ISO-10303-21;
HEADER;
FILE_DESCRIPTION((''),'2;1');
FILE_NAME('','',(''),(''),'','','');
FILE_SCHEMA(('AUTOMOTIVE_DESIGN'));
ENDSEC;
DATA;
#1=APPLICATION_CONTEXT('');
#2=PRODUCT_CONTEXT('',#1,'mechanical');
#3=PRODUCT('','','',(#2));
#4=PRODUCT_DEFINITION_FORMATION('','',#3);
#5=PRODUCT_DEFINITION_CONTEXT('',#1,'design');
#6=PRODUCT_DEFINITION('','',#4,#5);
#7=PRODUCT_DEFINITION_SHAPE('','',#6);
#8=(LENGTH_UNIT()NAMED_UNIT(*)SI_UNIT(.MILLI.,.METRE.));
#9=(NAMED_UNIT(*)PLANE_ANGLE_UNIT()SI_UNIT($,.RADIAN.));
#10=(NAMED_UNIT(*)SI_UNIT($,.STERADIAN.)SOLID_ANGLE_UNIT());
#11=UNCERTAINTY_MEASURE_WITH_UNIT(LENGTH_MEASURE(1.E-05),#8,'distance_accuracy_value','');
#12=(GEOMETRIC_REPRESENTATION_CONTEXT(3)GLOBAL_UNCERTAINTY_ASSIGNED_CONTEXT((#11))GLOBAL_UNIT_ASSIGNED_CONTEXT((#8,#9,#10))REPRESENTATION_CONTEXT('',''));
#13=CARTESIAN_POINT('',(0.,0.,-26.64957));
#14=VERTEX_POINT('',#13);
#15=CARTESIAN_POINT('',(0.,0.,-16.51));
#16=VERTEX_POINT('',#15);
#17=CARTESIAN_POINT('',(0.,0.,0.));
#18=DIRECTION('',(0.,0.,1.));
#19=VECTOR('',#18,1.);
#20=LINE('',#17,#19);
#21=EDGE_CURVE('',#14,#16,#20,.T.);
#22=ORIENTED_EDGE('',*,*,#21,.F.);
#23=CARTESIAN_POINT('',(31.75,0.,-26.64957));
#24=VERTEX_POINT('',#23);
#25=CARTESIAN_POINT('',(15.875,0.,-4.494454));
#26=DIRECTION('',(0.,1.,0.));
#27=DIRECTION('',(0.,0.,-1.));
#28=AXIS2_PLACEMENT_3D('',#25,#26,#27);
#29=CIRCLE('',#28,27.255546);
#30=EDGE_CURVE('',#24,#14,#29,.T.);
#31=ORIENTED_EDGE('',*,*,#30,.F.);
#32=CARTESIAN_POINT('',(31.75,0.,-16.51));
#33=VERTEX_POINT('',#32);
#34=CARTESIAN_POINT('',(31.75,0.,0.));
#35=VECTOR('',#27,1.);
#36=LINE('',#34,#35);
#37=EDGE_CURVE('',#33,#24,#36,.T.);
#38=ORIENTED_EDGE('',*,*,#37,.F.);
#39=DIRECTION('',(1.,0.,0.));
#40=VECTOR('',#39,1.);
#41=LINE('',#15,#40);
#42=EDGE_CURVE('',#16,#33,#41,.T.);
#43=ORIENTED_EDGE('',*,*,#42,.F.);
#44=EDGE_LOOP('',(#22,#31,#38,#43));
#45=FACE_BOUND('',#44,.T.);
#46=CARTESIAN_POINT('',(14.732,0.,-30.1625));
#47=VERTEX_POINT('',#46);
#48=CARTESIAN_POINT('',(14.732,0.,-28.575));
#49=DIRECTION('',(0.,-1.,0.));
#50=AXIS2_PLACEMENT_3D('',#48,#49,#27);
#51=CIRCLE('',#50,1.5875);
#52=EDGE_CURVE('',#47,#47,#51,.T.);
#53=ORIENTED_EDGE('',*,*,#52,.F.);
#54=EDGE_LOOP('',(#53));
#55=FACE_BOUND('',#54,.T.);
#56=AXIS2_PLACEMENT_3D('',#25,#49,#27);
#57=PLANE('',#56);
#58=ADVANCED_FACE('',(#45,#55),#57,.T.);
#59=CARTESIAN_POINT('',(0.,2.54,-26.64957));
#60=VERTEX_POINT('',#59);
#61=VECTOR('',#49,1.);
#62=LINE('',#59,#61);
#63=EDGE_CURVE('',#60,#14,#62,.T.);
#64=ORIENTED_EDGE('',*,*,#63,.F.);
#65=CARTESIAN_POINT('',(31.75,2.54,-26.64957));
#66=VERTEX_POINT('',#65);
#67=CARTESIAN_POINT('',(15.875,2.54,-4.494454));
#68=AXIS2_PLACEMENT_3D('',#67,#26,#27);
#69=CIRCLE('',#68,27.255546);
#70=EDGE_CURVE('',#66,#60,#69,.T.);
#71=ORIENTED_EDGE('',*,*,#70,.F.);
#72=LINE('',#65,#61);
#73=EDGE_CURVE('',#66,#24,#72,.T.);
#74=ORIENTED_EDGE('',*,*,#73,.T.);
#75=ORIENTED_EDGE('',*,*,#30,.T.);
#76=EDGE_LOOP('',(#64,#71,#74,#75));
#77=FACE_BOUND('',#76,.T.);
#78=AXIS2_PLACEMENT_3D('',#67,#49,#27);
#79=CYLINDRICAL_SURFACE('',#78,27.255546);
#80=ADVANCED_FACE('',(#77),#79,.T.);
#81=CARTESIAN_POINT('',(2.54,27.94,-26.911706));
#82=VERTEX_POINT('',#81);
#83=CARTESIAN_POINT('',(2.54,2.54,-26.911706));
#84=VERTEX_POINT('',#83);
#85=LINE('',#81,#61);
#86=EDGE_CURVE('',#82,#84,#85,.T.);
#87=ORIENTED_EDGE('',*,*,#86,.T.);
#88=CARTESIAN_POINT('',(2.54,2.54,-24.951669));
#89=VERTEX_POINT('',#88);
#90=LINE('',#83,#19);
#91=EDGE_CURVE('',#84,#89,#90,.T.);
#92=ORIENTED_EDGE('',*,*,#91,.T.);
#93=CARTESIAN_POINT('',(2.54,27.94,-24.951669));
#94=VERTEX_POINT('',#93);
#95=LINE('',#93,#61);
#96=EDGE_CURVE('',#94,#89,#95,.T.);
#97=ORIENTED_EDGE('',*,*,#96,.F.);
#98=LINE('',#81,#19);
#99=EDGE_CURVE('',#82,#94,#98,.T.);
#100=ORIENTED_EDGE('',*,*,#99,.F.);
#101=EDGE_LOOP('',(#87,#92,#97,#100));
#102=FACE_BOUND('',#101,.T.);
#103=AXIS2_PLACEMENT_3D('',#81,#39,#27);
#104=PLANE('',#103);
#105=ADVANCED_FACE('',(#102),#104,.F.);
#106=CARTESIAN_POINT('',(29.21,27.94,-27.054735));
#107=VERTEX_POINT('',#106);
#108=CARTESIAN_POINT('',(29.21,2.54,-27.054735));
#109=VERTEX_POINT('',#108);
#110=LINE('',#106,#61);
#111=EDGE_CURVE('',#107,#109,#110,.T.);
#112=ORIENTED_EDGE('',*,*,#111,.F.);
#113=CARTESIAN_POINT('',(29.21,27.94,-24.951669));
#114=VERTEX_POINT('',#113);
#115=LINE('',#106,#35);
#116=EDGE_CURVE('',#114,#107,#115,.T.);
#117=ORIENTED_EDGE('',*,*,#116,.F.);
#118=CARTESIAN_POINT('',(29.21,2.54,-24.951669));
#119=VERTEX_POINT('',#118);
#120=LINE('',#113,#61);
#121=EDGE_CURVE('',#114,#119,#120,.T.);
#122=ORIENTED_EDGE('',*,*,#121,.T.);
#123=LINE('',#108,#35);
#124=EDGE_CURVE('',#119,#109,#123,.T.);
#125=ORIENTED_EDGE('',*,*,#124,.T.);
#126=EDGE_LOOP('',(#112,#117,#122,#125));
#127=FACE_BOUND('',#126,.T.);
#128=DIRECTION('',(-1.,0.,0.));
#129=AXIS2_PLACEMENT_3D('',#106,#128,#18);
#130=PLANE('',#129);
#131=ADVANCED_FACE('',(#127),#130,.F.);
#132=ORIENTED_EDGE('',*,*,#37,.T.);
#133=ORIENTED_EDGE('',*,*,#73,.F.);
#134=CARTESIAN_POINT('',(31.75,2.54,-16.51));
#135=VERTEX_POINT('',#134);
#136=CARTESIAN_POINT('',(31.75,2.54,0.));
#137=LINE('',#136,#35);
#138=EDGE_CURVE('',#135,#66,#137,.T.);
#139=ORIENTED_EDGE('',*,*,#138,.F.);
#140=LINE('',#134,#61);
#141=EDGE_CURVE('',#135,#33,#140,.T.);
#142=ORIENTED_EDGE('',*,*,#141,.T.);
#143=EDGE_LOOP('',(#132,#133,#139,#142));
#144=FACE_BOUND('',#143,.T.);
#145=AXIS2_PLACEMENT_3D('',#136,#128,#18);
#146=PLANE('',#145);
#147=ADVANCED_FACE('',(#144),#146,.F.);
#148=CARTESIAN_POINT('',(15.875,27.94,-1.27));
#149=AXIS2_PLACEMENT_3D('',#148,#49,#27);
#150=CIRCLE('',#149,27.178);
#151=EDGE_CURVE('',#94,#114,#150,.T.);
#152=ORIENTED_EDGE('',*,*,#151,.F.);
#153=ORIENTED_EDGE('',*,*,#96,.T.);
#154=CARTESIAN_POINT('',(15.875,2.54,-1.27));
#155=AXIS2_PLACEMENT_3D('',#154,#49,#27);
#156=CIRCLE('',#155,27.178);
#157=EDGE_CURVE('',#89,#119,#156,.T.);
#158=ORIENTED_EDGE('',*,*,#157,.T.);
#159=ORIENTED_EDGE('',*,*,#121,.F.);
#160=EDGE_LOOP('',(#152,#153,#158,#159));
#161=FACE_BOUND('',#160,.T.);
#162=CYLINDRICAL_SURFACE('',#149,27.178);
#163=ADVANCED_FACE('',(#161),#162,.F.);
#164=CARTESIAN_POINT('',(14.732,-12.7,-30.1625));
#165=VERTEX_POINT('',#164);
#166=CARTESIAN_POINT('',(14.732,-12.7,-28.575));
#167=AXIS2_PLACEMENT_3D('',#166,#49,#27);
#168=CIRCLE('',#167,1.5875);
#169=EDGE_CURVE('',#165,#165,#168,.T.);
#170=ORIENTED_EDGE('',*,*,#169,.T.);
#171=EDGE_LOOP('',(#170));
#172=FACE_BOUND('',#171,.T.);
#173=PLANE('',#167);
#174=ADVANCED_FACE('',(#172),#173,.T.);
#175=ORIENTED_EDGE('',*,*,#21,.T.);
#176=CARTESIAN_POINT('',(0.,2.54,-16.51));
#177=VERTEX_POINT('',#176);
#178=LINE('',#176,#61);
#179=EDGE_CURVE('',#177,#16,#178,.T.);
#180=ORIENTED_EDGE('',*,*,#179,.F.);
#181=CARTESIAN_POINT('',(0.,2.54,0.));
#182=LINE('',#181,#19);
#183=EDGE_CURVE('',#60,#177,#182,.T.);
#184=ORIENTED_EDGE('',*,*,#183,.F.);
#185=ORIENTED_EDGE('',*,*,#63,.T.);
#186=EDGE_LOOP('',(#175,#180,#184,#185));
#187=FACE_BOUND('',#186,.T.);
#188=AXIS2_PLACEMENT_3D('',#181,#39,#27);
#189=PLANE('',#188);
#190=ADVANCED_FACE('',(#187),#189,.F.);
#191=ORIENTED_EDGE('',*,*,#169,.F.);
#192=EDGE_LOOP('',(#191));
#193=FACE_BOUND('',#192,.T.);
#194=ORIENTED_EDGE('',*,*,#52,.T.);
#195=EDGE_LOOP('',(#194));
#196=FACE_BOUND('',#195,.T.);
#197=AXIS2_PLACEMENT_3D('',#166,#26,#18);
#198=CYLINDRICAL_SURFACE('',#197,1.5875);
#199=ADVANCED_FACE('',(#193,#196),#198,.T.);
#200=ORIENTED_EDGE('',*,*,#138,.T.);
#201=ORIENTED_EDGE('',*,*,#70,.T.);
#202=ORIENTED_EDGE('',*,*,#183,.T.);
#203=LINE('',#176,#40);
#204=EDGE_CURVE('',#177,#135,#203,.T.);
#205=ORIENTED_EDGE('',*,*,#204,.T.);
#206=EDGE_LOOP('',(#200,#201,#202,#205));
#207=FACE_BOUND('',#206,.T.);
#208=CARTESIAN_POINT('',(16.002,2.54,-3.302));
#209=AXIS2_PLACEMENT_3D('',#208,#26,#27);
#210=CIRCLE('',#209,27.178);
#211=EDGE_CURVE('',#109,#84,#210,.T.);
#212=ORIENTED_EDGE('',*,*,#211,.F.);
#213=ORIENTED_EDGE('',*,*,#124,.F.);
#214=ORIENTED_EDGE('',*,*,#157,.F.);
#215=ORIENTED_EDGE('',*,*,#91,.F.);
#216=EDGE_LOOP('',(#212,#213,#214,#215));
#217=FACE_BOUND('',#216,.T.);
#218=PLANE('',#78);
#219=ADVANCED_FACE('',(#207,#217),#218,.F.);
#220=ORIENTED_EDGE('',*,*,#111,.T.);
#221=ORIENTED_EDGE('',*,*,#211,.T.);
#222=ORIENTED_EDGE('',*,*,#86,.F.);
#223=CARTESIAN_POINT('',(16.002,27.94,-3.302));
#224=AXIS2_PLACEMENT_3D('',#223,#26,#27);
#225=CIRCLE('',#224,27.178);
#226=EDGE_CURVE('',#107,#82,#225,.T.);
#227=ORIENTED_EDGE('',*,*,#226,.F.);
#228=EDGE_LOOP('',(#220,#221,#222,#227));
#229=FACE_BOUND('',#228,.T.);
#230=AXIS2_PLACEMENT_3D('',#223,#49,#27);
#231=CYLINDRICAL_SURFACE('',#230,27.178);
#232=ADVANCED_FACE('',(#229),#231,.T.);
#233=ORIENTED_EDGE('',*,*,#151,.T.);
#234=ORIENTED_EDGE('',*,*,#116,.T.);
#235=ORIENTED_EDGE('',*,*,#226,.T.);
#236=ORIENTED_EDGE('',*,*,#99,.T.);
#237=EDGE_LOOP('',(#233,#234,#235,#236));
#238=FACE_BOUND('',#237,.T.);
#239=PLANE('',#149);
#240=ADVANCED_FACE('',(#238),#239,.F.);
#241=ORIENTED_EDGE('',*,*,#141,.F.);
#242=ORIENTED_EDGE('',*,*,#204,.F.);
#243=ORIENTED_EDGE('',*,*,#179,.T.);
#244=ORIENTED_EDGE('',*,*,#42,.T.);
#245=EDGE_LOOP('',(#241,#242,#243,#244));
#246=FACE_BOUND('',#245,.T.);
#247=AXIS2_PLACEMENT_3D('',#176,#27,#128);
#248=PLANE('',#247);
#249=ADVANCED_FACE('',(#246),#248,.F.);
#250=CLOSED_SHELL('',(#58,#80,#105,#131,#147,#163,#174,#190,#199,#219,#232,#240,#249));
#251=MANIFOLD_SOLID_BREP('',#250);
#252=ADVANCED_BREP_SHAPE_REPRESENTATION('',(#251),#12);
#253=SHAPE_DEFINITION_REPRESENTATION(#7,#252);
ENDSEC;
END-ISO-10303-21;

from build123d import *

# Parameters (mm, degrees)
BOSS_EXTRUDE1_DEPTH = 2.54
BOSS_EXTRUDE2_DEPTH = 25.4
SKETCH4_W           = 31.75
SKETCH4_H           = 16.51
CUT_EXTRUDE1_DEPTH  = 2.54
SKETCH5_R           = 1.5875
BOSS_EXTRUDE3_DEPTH = 12.7


with BuildPart() as part:
    # Sketch1 → Boss-Extrude1 (new body)
    with BuildSketch(Plane(origin=(0, 0, 0), x_dir=(1, 0, 0), z_dir=(0, 1, 0))):
        with BuildLine():
            Line((0, 0), (31.75, 0))
            Line((31.75, 0), (31.75, 26.649569904))
            ThreePointArc((31.75, 26.649569904), (15.875, 31.75), (0, 26.649569904))
            Line((0, 26.649569904), (0, 0))
        make_face()
    extrude(amount=BOSS_EXTRUDE1_DEPTH)

    # Sketch2 → Boss-Extrude2 (add)
    with BuildSketch(Plane(origin=(0, 2.54, 0), x_dir=(1, 0, 0), z_dir=(0, 1, 0))):
        with BuildLine():
            Line((2.54, 26.911706478), (2.54, 24.951669261))
            ThreePointArc((2.54, 24.951669261), (15.875, 28.448), (29.21, 24.951669261))
            Line((29.21, 24.951669261), (29.21, 27.054735))
            ThreePointArc((29.21, 27.054735), (15.856249221, 30.479609179), (2.54, 26.911706478))
        make_face()
    extrude(amount=BOSS_EXTRUDE2_DEPTH)

    # Sketch4 → Cut-Extrude1 (cut)
    with BuildSketch(Plane.XZ):
        with Locations((15.875, -8.255)):
            Rectangle(SKETCH4_W, SKETCH4_H)
    extrude(amount=-CUT_EXTRUDE1_DEPTH, mode=Mode.SUBTRACT)

    # Sketch5 → Boss-Extrude3 (add)
    with BuildSketch(Plane.XZ):
        with Locations((14.732, -28.575)):
            Circle(SKETCH5_R)
    extrude(amount=BOSS_EXTRUDE3_DEPTH)


solid = part.part
